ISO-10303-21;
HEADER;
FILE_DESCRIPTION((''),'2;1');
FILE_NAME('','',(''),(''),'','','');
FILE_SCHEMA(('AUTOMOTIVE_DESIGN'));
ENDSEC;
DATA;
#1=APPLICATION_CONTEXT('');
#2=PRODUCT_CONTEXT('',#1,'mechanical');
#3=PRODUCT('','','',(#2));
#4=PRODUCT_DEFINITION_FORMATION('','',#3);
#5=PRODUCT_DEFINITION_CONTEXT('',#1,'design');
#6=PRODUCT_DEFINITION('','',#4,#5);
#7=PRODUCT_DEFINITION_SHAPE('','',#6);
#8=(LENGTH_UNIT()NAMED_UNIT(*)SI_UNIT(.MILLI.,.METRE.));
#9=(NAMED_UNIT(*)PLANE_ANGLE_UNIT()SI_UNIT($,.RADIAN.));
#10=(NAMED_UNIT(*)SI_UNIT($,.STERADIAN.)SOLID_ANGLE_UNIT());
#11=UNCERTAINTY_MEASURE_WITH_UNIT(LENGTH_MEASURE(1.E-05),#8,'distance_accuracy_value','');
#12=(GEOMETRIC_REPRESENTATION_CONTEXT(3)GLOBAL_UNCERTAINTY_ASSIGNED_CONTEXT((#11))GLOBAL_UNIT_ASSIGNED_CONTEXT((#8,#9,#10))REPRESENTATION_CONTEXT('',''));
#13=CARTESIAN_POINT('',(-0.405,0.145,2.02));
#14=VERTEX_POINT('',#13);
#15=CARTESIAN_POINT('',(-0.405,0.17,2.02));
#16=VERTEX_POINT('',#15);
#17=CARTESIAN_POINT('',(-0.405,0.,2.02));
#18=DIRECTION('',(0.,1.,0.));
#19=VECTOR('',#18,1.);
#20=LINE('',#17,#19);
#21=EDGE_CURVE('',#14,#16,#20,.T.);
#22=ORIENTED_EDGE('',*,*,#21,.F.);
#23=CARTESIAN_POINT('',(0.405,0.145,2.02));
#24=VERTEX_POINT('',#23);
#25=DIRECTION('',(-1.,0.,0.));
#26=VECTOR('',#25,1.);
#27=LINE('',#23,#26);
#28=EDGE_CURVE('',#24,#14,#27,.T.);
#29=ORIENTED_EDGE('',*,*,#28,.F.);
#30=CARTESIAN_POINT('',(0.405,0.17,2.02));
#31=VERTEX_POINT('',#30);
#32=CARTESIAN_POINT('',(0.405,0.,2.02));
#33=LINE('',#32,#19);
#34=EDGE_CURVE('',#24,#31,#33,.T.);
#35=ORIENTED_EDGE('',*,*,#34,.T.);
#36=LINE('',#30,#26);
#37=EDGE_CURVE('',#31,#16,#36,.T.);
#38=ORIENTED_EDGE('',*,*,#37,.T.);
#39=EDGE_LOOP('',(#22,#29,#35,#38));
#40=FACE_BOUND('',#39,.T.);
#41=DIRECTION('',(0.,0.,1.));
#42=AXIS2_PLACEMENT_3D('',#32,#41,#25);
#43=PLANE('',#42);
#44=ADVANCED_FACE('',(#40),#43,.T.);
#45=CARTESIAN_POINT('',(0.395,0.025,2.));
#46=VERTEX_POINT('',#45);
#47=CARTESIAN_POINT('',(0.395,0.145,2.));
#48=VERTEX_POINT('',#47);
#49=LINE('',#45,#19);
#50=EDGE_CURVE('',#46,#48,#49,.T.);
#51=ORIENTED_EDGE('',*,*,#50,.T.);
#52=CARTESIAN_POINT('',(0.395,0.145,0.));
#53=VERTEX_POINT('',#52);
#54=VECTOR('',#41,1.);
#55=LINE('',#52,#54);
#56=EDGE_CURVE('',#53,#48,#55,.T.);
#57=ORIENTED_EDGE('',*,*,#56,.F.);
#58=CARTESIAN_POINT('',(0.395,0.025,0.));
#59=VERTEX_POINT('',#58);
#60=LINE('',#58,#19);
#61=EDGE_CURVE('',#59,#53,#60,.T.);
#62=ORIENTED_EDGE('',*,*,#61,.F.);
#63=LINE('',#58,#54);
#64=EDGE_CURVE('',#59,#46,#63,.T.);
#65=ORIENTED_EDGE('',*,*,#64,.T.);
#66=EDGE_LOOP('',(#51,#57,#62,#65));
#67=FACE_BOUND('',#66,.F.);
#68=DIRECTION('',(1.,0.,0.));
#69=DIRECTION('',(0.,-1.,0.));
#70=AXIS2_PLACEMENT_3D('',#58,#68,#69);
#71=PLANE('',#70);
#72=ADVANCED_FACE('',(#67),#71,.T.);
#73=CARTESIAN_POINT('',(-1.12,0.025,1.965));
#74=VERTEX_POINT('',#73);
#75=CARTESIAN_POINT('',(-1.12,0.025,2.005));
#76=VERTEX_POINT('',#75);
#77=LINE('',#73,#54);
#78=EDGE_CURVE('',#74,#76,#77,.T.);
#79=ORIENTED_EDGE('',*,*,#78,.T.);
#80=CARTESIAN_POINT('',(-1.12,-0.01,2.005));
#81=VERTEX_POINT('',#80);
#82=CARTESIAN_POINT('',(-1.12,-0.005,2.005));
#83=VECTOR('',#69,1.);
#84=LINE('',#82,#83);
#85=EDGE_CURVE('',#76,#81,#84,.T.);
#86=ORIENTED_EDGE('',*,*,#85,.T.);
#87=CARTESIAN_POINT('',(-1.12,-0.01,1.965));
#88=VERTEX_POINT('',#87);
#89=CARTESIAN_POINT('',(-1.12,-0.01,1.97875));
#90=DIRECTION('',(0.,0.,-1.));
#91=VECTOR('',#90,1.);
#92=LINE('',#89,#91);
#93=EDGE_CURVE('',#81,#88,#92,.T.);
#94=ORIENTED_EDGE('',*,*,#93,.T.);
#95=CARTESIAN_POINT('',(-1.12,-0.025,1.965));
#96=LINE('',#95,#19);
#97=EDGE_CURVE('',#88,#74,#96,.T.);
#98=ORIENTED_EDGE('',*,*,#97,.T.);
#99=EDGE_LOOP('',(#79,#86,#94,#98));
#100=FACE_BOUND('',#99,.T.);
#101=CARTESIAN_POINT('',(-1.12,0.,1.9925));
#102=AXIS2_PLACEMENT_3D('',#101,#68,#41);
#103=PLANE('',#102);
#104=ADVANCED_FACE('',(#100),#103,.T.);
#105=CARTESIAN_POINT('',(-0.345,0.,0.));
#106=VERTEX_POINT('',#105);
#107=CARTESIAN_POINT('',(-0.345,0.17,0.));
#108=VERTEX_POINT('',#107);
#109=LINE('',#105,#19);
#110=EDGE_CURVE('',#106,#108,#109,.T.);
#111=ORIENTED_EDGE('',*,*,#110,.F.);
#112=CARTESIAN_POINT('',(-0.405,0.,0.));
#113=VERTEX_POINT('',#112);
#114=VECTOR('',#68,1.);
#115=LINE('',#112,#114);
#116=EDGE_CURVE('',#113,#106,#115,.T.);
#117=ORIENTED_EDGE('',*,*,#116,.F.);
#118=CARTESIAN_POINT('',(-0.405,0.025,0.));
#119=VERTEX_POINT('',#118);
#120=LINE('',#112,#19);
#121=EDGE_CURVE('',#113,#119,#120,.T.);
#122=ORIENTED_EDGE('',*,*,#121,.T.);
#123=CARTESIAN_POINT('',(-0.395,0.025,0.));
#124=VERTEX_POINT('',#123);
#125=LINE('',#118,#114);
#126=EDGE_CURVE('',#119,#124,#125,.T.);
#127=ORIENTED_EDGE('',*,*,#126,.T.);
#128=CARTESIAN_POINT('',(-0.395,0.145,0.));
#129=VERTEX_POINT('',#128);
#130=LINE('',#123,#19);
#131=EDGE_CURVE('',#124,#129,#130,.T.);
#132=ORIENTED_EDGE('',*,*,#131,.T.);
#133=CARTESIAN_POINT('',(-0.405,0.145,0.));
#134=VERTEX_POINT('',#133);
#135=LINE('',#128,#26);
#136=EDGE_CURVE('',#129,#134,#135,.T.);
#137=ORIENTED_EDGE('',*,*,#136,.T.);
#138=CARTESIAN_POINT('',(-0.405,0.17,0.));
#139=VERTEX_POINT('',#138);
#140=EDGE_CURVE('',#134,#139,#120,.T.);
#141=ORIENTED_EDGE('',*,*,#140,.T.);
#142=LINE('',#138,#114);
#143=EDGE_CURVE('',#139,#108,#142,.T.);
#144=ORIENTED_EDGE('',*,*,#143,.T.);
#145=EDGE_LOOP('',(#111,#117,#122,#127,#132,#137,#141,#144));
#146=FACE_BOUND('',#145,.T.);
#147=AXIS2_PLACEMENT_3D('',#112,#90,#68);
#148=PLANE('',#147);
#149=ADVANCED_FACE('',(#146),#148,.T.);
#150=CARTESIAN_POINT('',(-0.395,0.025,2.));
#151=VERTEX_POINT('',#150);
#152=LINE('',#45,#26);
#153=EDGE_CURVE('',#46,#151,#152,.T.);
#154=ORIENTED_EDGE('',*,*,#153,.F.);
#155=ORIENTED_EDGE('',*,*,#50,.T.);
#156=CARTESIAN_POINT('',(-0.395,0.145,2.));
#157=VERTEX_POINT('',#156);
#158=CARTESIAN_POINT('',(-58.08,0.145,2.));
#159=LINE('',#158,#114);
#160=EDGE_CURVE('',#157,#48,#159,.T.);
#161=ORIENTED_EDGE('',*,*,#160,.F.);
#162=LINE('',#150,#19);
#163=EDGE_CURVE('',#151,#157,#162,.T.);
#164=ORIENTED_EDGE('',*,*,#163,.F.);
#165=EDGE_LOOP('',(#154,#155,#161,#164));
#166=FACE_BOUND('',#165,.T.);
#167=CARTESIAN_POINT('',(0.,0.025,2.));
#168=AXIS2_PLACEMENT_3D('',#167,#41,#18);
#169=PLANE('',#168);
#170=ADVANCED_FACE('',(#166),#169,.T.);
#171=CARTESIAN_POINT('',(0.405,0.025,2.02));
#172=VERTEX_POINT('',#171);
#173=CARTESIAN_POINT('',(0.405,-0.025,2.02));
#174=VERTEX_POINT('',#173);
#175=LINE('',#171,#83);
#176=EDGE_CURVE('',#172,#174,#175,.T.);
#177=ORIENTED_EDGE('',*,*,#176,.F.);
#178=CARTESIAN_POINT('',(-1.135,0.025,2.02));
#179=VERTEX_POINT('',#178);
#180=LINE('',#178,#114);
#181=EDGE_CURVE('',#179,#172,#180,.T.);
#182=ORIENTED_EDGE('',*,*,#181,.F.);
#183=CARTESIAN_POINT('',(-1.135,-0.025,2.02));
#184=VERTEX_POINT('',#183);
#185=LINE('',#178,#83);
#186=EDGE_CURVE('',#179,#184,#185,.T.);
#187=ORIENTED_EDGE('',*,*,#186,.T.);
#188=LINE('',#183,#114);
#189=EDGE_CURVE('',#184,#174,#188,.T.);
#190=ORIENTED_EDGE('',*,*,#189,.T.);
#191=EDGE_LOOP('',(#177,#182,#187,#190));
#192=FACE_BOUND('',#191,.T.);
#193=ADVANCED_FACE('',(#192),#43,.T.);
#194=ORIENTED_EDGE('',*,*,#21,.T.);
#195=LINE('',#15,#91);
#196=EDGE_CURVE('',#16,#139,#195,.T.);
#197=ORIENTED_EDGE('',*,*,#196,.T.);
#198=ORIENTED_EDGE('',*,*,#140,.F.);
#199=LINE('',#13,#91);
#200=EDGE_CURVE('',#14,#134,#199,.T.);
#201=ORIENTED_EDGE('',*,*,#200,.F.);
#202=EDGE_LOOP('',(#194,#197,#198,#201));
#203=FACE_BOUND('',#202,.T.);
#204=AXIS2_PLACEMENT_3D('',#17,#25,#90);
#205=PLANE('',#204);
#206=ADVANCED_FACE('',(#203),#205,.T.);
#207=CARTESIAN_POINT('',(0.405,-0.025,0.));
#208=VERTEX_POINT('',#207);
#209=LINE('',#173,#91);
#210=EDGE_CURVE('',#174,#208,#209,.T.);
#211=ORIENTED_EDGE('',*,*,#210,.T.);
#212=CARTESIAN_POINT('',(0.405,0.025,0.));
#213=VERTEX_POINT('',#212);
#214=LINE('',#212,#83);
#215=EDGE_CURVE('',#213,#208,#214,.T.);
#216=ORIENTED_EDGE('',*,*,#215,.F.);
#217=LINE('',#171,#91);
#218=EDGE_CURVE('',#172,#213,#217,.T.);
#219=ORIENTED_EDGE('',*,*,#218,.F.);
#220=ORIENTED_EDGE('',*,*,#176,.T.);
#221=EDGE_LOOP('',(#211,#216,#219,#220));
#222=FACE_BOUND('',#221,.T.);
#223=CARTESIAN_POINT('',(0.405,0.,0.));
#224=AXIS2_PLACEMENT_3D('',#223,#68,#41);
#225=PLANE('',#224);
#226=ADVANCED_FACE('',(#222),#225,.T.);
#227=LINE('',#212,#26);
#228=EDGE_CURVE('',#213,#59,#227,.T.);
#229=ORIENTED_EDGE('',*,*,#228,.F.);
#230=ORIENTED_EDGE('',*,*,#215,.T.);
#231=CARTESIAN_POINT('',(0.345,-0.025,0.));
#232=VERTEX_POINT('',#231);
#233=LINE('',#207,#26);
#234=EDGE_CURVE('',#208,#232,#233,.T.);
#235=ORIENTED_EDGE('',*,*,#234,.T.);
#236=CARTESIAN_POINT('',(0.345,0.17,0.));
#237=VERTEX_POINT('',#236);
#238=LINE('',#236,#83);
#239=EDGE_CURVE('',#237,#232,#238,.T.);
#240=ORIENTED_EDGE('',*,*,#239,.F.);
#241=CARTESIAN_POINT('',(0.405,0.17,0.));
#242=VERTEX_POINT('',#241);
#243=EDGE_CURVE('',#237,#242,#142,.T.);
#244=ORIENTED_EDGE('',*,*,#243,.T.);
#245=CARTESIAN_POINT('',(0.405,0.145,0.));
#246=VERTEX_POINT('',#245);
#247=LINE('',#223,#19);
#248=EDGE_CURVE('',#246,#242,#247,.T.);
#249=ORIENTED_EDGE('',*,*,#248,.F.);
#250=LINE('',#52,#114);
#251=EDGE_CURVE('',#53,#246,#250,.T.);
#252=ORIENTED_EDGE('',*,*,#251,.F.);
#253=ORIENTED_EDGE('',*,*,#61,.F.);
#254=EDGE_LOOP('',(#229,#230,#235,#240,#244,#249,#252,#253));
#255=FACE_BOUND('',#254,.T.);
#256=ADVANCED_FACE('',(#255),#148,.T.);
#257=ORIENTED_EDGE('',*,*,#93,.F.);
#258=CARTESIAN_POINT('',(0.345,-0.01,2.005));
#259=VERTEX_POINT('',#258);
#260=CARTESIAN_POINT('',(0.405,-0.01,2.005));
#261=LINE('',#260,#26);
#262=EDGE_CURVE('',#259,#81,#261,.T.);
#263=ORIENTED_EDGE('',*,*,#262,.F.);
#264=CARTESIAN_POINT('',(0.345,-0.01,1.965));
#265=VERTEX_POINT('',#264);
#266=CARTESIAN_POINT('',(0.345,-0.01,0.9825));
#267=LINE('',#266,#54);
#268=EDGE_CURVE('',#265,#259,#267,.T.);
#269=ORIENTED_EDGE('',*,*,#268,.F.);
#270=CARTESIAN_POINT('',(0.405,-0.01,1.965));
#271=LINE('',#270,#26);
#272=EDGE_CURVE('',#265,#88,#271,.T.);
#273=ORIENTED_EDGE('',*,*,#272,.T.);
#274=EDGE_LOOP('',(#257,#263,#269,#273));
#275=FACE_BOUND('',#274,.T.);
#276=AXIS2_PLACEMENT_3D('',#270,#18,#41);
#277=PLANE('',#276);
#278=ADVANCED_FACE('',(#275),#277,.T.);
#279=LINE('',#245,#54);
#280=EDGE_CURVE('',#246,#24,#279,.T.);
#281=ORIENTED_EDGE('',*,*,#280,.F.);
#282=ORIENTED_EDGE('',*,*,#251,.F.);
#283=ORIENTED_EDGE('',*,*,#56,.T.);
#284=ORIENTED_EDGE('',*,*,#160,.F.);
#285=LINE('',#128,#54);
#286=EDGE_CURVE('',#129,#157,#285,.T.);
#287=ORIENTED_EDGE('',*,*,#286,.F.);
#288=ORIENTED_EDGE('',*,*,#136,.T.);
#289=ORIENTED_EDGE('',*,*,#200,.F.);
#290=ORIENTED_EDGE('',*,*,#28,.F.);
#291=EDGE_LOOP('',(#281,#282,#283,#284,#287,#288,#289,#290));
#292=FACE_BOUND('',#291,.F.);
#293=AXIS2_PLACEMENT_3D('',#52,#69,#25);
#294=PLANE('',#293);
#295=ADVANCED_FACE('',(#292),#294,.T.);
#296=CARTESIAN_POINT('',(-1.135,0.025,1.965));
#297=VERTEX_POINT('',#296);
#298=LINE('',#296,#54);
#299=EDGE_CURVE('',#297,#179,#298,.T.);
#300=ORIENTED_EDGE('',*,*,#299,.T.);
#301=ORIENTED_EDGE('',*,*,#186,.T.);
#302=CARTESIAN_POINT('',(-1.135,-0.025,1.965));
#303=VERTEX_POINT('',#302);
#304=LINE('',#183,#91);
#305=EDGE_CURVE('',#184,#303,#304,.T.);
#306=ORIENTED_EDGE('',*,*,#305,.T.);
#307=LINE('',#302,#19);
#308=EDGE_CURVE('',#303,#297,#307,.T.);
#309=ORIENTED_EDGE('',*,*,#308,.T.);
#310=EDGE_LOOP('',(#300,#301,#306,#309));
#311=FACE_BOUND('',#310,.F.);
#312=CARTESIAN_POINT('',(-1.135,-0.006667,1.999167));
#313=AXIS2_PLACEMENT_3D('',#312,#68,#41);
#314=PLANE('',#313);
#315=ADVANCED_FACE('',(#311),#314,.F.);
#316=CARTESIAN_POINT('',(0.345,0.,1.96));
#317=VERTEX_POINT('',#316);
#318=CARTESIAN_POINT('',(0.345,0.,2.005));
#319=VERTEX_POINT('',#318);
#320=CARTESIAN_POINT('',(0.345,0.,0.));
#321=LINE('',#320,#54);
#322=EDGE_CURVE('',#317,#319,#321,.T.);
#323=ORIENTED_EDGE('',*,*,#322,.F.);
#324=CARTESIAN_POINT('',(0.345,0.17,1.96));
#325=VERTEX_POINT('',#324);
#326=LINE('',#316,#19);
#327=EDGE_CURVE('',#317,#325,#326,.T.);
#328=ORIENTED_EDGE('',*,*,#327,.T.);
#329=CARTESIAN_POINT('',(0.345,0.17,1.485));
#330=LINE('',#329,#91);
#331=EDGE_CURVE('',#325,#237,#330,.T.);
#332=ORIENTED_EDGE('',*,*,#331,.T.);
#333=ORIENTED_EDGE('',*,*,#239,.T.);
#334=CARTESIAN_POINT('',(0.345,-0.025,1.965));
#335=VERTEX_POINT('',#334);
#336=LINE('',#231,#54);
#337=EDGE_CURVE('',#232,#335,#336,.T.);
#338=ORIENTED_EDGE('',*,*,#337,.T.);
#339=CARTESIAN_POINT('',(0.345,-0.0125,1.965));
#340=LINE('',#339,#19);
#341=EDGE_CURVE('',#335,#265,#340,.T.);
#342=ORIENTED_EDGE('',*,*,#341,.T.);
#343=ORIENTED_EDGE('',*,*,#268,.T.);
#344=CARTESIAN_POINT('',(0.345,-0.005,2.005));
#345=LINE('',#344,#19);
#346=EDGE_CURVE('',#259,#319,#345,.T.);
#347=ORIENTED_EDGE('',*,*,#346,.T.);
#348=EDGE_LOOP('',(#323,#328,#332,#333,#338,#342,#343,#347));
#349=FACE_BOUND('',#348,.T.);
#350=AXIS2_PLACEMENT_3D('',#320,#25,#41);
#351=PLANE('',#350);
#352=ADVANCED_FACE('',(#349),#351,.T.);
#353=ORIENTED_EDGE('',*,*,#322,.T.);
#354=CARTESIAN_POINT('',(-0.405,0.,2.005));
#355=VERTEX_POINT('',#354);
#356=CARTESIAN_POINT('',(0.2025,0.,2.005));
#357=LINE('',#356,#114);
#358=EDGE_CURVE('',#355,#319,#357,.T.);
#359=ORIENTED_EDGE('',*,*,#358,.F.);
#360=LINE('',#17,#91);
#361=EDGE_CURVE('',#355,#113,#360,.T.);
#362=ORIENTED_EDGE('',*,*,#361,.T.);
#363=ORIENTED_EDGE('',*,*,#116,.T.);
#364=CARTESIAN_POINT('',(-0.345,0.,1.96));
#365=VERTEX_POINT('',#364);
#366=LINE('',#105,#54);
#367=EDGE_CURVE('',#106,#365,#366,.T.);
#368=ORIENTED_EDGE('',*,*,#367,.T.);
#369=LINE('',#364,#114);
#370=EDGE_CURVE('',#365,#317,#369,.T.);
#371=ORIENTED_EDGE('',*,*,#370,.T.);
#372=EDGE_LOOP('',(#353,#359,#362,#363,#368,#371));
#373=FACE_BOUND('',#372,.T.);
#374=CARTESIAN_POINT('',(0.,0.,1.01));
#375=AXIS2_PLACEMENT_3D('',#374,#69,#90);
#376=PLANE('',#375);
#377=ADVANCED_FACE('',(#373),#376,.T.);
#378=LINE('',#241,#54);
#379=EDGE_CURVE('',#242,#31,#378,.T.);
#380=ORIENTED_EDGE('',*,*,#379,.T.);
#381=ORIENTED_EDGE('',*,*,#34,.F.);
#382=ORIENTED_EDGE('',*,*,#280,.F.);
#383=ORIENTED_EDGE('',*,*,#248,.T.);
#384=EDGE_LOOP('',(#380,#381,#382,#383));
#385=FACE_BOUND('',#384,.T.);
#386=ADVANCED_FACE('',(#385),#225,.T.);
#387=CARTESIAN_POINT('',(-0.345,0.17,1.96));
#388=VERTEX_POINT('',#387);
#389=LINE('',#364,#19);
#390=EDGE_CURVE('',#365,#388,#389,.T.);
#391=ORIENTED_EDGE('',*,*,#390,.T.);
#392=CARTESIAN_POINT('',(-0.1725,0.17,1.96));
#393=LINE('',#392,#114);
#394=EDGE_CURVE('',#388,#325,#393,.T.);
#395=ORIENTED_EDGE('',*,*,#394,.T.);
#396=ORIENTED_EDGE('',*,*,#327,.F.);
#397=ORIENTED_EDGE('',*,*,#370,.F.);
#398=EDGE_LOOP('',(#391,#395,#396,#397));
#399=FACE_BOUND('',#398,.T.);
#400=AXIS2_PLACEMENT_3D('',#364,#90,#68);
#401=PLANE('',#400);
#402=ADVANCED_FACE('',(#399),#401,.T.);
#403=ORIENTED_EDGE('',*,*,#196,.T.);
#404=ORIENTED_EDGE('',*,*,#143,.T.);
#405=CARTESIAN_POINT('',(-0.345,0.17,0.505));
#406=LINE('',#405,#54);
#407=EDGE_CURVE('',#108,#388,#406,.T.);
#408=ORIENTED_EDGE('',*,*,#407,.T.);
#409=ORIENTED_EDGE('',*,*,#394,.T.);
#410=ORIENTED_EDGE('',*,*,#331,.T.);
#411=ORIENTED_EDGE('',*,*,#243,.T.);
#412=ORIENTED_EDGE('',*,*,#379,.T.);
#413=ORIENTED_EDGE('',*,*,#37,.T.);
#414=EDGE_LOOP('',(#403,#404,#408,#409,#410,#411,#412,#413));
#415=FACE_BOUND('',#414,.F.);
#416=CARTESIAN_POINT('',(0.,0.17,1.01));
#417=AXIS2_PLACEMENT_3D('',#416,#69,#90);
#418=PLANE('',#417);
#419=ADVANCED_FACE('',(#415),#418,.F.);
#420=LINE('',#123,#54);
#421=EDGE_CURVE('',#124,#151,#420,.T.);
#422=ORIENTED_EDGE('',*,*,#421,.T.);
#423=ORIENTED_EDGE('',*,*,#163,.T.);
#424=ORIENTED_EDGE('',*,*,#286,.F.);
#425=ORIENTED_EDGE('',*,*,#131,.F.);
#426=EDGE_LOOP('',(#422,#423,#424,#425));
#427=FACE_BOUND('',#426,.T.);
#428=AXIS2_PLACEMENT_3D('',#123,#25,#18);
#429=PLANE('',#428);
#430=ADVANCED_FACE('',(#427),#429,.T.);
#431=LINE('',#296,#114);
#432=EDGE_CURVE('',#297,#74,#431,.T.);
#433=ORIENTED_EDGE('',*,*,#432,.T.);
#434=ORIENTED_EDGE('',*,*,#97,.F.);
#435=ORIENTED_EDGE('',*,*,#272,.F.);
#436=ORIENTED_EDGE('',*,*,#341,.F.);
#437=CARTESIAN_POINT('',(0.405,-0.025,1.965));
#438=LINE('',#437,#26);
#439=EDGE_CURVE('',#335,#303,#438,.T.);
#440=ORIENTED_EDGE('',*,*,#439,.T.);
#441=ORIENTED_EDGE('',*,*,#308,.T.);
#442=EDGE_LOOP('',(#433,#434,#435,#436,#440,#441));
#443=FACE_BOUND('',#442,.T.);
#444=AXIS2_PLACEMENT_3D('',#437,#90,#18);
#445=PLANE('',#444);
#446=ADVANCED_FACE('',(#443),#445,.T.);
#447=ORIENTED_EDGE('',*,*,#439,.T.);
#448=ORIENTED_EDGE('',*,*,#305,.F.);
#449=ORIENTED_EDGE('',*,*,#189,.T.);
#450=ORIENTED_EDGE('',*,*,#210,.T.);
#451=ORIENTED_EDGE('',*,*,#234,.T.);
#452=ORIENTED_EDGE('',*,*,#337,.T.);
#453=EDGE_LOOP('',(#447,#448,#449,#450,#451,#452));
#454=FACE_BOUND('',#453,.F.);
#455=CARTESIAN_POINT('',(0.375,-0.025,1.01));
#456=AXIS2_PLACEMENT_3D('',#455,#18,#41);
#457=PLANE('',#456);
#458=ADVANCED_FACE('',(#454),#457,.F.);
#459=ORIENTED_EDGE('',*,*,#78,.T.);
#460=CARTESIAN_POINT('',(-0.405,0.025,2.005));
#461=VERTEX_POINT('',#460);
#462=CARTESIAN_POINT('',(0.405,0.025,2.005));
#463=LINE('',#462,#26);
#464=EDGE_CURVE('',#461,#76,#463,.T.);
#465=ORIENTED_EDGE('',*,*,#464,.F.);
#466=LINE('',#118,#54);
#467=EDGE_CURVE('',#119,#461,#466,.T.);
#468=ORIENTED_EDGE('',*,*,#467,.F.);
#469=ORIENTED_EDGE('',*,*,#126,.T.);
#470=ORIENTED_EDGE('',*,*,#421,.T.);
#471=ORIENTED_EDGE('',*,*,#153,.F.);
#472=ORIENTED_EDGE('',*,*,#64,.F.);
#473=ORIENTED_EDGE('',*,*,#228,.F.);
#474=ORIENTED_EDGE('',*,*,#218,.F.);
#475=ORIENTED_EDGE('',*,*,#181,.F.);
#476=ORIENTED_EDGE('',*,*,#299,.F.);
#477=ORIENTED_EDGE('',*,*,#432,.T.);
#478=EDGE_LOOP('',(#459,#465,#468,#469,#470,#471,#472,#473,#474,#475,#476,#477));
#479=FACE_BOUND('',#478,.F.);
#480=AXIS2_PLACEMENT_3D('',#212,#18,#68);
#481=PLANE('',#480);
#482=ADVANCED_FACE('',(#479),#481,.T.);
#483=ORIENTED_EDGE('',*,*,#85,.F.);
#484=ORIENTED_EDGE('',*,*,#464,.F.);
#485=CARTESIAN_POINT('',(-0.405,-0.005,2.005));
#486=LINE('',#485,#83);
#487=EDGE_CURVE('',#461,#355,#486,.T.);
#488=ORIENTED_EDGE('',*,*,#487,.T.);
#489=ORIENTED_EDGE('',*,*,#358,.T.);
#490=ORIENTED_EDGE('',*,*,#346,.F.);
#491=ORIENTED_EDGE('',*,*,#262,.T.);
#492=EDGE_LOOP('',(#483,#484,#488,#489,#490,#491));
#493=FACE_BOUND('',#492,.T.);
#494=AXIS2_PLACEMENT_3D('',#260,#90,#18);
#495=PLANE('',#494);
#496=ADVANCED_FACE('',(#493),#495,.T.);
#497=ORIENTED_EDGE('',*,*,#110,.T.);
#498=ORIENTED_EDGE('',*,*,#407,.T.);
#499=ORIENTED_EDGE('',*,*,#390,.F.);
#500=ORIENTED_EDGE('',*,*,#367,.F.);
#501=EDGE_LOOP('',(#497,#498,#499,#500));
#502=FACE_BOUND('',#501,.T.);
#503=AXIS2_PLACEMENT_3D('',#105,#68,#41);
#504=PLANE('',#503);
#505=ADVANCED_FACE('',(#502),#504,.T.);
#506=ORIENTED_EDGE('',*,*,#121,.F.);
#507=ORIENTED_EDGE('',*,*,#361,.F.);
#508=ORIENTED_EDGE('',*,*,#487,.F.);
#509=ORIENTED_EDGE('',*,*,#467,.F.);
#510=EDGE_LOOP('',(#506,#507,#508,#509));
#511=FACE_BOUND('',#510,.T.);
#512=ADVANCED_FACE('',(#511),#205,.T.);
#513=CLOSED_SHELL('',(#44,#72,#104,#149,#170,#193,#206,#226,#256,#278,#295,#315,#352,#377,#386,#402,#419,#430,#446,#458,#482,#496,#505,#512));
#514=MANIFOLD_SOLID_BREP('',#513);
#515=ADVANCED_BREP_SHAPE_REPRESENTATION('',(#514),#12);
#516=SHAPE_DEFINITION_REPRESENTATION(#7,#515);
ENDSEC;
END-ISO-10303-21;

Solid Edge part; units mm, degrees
sketch "Sketch1" plane through (0, 0, 0) normal (0, -1, 0) x (1, 0, 0)
  line L0 (-0.405, 0) -> (0.405, 0)
  line L1 (0.405, 0) -> (0.405, 2.02)
  line L2 (0.405, 2.02) -> (-0.405, 2.02)
  line L3 (-0.405, 2.02) -> (-0.405, 0)
  dimension "D1" = 2.02
  dimension "D2" = 0.81
extrude "Protrusion1" add sketch "Sketch1" against normal blind 0.17
sketch "Sketch2" plane through (0, 0.085, 0) normal (0, 0, -1) x (1, 0, 0)
  line L0 (-0.405, -0.06) -> (-0.405, 0.06)
  line L1 (-0.405, 0.06) -> (-0.395, 0.06)
  line L2 (-0.395, 0.06) -> (-0.395, -0.06)
  line L3 (-0.395, -0.06) -> (-0.405, -0.06)
  dimension "D1" = 0.12
  dimension "D2" = 0.01
extrude "Cutout1" cut sketch "Sketch2" against normal through all
mirror "Mirror1" about plane through (0, 0, 0) normal (1, 0, 0) of "Cutout1"
sketch "Sketch3" plane through (0, 0, 0) normal (1, 0, 0) x (0, 1, 0)
  line L0 (0.025, 2.02) -> (0.025, 2)
  line L1 (0.025, 2) -> (0.145, 2)
  line L2 (0.145, 2.02) -> (0.145, 2)
  line L3 (0.145, 2.02) -> (0.025, 2.02)
  dimension "D1" = 0.02
extrude "Cutout3" cut sketch "Sketch3" along normal through all and the other way through all
sketch "Sketch4" plane through (0, 0, 1.01) normal (0, -1, 0) x (1, 0, 0)
  line L0 (-0.345, -1.01) -> (0.345, -1.01)
  line L1 (0.345, 0.95) -> (0.345, -1.01)
  line L2 (-0.345, 0.95) -> (0.345, 0.95)
  line L3 (-0.345, -1.01) -> (-0.345, 0.95)
  dimension "D1" = 0.69
  dimension "D2" = 1.96
extrude "Cutout4" cut sketch "Sketch4" against normal through all
sketch "Sketch5" plane through (0.405, 0.0125, 1.01) normal (1, 0, 0) x (0, 0, -1)
  line L0 (-1.01, 0.0125) -> (-1.01, -0.0375)
  line L1 (-1.01, -0.0375) -> (-0.955, -0.0375)
  line L2 (-0.955, -0.0375) -> (-0.955, -0.0225)
  line L3 (-0.955, -0.0225) -> (-0.995, -0.0225)
  line L4 (-0.995, -0.0225) -> (-0.995, 0.0125)
  line L5 (-1.01, 0.0125) -> (-0.995, 0.0125)
  dimension "D1" = 0.015
  dimension "D2" = 0.055
  dimension "D3" = 0.05
extrude "Protrusion2" add sketch "Sketch5" against normal blind 1.54
sketch "Sketch6" plane through (0.405, 0, 1.01) normal (1, 0, 0) x (0, 0, -1)
  line L0 (-1.01, 0.025) -> (-1.01, -0.025)
  line L1 (-1.01, -0.025) -> (-0.955, -0.025)
  line L2 (-0.955, -0.025) -> (-0.955, 0.025)
  line L3 (-0.955, 0.025) -> (-1.01, 0.025)
extrude "Ausprägung_3" add sketch "Sketch6" against normal blind 0.015
sketch "Sketch7" plane through (-1.135, 0, 1.9925) normal (-1, 0, 0) x (0, -1, 0)
  line L0 (-0.025, 0.0275) -> (0.025, 0.0275)
  line L1 (0.025, 0.0275) -> (0.025, -0.0275)
  line L2 (0.025, -0.0275) -> (-0.025, -0.0275)
  line L3 (-0.025, -0.0275) -> (-0.025, 0.0275)
extrude "Ausprägung_4" add sketch "Sketch7" against normal blind 0.015
sketch "Sketch8" plane through (0, 0, 1.0025) normal (0, -1, 0) x (1, 0, 0)
  line L0 (0.405, 1.0175) -> (0.405, -1.0025)
  line L1 (0.405, -1.0025) -> (0.345, -1.0025)
  line L2 (0.345, -1.0025) -> (0.345, 1.0175)
  line L3 (0.345, 1.0175) -> (0.405, 1.0175)
extrude "Protrusion3" add sketch "Sketch8" along normal up to surface (0.025 mm away)
